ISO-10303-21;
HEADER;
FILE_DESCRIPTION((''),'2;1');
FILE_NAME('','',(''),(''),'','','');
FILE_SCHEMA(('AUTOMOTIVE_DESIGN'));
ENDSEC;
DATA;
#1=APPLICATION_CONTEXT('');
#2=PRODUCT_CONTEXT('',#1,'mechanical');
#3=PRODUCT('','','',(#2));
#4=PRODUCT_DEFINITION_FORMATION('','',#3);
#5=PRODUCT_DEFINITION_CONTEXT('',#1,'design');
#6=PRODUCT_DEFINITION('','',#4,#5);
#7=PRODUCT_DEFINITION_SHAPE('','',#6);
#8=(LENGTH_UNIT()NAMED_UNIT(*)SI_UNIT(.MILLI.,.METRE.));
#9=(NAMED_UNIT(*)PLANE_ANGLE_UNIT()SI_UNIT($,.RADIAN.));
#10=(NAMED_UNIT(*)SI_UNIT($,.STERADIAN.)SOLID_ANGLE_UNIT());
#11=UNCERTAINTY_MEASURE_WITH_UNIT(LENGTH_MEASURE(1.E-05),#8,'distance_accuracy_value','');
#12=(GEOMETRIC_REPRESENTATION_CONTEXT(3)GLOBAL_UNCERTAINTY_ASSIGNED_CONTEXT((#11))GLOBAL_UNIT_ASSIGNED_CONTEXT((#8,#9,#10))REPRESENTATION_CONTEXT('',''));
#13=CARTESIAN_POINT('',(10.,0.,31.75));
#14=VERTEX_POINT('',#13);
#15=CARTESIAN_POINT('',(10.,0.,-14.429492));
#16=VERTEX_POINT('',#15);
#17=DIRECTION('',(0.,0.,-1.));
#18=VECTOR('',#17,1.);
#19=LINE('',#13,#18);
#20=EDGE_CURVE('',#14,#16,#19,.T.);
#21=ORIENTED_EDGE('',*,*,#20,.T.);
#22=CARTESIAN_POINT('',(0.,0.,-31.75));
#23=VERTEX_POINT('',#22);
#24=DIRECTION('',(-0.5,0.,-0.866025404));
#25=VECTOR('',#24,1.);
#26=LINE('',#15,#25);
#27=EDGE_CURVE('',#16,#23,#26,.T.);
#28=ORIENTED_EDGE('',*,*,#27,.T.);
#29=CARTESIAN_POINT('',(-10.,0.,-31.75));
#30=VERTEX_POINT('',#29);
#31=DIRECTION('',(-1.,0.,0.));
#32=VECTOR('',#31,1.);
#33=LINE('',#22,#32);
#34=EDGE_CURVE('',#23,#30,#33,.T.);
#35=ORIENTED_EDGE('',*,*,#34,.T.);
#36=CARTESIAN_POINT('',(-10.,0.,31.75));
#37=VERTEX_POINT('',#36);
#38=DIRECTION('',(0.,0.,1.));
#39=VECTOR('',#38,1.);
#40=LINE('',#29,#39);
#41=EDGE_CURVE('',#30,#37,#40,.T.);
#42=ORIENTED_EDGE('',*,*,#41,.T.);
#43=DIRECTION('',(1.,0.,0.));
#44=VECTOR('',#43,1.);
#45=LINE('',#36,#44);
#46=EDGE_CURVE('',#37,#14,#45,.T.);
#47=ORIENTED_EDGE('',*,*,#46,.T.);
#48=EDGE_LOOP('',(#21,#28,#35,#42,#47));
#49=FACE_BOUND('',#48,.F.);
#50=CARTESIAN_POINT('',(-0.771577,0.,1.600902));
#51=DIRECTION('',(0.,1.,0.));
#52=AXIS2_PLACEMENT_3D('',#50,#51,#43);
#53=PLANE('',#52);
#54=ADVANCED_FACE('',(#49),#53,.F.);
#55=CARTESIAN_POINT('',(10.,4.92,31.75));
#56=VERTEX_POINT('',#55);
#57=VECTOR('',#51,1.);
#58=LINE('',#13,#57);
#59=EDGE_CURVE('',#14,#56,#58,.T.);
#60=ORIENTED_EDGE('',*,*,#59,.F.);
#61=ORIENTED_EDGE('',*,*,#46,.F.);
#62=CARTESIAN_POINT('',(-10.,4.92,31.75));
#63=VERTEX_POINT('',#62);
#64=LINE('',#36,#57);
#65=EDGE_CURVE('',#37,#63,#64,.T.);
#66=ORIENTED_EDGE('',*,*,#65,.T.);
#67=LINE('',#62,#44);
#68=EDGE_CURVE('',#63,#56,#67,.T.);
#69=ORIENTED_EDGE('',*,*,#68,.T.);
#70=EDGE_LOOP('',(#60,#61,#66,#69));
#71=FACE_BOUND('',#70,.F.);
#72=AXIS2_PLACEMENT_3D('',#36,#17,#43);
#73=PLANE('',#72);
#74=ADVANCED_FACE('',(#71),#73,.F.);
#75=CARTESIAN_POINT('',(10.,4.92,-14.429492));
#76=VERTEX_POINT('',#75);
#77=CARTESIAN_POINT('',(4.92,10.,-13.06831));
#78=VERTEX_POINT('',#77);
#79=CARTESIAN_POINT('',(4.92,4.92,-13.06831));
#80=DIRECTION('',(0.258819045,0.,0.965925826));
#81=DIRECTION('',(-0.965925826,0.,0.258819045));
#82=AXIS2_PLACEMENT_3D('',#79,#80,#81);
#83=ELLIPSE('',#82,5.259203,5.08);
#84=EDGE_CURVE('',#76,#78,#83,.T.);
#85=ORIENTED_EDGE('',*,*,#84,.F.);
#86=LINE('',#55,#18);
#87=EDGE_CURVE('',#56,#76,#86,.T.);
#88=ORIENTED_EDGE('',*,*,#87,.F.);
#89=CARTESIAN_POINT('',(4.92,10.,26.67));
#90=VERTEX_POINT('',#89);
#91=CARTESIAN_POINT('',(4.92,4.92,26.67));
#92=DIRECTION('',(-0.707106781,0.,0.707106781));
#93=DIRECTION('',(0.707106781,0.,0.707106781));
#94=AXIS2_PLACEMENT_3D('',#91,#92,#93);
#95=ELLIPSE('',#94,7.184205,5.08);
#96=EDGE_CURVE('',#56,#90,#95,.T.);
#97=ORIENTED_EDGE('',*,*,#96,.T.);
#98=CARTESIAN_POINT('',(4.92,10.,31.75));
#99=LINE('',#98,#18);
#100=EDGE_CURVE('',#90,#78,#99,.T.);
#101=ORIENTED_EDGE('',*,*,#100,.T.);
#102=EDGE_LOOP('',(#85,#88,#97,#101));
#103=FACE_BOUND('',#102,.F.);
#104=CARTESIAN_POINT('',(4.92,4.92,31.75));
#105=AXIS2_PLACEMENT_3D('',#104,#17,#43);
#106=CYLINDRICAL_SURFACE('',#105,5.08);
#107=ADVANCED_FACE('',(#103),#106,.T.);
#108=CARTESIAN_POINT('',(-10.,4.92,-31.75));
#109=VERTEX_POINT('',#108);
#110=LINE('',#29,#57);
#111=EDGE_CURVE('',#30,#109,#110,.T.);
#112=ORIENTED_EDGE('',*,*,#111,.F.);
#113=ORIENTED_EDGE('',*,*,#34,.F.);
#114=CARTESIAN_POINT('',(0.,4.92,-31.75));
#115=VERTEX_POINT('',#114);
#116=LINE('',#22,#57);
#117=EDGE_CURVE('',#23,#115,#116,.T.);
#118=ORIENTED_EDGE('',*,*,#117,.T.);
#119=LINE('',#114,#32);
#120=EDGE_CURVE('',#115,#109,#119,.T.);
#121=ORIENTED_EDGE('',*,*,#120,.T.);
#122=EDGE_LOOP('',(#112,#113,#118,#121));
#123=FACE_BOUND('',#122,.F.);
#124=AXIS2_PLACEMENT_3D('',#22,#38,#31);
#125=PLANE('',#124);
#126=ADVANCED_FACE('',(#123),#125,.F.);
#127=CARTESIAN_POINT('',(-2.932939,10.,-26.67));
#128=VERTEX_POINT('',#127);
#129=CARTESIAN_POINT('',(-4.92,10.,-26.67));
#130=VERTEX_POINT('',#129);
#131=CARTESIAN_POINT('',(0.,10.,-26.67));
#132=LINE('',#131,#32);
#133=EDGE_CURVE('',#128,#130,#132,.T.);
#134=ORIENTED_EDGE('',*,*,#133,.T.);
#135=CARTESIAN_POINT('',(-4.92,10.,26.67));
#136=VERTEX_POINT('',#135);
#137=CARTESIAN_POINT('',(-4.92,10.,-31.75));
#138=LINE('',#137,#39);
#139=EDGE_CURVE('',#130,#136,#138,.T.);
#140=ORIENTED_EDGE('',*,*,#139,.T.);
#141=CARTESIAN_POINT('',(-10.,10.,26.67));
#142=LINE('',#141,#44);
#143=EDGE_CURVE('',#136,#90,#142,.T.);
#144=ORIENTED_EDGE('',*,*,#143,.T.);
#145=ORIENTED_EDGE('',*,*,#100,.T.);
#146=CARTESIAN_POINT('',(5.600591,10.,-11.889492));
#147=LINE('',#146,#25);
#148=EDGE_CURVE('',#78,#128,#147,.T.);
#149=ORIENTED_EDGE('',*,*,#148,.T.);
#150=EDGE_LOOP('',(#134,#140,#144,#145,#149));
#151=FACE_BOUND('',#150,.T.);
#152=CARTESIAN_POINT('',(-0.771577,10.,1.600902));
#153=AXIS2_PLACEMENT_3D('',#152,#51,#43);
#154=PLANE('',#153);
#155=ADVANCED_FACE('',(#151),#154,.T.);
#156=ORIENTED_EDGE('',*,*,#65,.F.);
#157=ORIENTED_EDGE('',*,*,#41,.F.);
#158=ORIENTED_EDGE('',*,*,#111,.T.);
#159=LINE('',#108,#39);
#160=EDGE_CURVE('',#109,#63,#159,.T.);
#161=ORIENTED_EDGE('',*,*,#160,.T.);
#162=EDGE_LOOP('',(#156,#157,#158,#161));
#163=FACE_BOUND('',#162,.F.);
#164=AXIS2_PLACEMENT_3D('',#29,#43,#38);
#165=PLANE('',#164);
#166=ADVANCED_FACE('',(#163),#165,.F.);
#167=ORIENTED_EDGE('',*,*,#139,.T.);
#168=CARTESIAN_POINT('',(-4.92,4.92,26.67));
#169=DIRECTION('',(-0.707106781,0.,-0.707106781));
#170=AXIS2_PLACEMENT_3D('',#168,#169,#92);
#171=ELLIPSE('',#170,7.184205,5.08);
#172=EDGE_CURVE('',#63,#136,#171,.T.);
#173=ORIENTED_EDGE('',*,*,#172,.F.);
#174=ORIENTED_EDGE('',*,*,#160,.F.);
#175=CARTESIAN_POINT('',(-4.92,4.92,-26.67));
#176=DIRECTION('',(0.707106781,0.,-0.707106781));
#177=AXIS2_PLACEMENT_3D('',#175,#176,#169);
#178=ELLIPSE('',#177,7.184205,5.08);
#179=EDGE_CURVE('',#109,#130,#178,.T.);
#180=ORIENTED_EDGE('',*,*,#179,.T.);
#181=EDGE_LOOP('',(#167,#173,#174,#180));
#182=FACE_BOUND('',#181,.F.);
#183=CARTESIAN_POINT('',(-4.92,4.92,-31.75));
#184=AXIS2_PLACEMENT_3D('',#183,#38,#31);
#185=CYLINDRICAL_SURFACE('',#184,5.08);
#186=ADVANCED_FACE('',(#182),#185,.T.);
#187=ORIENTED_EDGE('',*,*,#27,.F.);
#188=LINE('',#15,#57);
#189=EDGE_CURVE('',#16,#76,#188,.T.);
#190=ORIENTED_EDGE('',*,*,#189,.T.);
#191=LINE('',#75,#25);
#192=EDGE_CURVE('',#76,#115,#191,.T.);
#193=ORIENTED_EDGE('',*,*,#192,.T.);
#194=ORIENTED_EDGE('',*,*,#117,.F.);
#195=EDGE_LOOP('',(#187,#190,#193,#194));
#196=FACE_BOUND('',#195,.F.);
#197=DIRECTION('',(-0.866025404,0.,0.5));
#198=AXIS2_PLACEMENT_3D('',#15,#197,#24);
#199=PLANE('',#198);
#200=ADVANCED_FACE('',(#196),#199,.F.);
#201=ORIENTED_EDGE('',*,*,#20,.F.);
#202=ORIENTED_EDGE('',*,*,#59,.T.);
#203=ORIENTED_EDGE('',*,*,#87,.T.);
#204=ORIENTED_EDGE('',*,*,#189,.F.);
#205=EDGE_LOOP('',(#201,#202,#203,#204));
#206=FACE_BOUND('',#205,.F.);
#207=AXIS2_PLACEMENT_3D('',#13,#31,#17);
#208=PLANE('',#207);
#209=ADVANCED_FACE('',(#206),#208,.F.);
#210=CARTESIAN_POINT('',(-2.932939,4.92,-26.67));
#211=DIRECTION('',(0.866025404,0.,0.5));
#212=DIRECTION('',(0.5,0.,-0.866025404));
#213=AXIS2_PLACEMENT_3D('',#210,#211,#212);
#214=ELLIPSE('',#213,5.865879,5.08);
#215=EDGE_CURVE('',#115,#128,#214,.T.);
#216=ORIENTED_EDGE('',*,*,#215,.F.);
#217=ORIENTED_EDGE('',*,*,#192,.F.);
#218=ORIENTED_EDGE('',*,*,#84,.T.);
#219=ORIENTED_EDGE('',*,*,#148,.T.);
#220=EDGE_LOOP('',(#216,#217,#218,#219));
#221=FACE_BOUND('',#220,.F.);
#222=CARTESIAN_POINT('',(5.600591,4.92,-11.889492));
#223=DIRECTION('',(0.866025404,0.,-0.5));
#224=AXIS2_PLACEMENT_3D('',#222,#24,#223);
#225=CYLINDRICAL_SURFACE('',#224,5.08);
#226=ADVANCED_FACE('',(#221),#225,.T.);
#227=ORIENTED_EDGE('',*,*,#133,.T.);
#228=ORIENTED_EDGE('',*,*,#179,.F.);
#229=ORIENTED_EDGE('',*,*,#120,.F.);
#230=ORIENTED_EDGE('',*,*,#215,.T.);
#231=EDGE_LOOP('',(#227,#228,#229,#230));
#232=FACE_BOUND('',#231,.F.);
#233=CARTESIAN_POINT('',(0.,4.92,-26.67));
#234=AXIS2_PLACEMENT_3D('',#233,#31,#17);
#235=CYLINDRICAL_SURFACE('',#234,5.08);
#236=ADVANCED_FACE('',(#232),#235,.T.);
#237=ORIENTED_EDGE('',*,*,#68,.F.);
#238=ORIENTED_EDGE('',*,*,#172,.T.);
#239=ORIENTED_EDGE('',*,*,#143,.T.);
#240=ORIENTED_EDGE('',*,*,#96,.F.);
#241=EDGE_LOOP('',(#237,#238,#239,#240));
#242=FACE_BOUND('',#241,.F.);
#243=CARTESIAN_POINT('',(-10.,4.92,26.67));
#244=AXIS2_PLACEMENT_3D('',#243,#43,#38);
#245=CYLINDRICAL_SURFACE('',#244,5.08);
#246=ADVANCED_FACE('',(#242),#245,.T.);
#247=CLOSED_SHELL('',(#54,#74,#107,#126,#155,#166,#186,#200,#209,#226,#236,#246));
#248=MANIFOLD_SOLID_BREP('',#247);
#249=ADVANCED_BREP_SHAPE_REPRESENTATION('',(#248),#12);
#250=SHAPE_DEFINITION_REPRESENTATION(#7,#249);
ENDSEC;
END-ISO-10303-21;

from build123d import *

# Parameters (mm, degrees)
BOSS_EXTRUDE1_DEPTH = 10
FILLET1_R           = 5.08


with BuildPart() as part:
    # Sketch1 → Boss-Extrude1 (new body)
    with BuildSketch(Plane(origin=(0, 0, 0), x_dir=(1, 0, 0), z_dir=(0, 1, 0))):
        Polygon((10, -31.75), (10, 14.429491924), (0, 31.75), (-10, 31.75), (-10, -31.75), align=None)
    extrude(amount=BOSS_EXTRUDE1_DEPTH)

    # Fillet1
    fillet1_edges = [part.edges().sort_by_distance(p)[0] for p in [
        (5, 10, -23.089745962),
        (-5, 10, -31.75),
        (-10, 10, 0),
        (0, 10, 31.75),
        (10, 10, 8.660254038),
    ]]
    fillet(fillet1_edges, radius=FILLET1_R)


solid = part.part
